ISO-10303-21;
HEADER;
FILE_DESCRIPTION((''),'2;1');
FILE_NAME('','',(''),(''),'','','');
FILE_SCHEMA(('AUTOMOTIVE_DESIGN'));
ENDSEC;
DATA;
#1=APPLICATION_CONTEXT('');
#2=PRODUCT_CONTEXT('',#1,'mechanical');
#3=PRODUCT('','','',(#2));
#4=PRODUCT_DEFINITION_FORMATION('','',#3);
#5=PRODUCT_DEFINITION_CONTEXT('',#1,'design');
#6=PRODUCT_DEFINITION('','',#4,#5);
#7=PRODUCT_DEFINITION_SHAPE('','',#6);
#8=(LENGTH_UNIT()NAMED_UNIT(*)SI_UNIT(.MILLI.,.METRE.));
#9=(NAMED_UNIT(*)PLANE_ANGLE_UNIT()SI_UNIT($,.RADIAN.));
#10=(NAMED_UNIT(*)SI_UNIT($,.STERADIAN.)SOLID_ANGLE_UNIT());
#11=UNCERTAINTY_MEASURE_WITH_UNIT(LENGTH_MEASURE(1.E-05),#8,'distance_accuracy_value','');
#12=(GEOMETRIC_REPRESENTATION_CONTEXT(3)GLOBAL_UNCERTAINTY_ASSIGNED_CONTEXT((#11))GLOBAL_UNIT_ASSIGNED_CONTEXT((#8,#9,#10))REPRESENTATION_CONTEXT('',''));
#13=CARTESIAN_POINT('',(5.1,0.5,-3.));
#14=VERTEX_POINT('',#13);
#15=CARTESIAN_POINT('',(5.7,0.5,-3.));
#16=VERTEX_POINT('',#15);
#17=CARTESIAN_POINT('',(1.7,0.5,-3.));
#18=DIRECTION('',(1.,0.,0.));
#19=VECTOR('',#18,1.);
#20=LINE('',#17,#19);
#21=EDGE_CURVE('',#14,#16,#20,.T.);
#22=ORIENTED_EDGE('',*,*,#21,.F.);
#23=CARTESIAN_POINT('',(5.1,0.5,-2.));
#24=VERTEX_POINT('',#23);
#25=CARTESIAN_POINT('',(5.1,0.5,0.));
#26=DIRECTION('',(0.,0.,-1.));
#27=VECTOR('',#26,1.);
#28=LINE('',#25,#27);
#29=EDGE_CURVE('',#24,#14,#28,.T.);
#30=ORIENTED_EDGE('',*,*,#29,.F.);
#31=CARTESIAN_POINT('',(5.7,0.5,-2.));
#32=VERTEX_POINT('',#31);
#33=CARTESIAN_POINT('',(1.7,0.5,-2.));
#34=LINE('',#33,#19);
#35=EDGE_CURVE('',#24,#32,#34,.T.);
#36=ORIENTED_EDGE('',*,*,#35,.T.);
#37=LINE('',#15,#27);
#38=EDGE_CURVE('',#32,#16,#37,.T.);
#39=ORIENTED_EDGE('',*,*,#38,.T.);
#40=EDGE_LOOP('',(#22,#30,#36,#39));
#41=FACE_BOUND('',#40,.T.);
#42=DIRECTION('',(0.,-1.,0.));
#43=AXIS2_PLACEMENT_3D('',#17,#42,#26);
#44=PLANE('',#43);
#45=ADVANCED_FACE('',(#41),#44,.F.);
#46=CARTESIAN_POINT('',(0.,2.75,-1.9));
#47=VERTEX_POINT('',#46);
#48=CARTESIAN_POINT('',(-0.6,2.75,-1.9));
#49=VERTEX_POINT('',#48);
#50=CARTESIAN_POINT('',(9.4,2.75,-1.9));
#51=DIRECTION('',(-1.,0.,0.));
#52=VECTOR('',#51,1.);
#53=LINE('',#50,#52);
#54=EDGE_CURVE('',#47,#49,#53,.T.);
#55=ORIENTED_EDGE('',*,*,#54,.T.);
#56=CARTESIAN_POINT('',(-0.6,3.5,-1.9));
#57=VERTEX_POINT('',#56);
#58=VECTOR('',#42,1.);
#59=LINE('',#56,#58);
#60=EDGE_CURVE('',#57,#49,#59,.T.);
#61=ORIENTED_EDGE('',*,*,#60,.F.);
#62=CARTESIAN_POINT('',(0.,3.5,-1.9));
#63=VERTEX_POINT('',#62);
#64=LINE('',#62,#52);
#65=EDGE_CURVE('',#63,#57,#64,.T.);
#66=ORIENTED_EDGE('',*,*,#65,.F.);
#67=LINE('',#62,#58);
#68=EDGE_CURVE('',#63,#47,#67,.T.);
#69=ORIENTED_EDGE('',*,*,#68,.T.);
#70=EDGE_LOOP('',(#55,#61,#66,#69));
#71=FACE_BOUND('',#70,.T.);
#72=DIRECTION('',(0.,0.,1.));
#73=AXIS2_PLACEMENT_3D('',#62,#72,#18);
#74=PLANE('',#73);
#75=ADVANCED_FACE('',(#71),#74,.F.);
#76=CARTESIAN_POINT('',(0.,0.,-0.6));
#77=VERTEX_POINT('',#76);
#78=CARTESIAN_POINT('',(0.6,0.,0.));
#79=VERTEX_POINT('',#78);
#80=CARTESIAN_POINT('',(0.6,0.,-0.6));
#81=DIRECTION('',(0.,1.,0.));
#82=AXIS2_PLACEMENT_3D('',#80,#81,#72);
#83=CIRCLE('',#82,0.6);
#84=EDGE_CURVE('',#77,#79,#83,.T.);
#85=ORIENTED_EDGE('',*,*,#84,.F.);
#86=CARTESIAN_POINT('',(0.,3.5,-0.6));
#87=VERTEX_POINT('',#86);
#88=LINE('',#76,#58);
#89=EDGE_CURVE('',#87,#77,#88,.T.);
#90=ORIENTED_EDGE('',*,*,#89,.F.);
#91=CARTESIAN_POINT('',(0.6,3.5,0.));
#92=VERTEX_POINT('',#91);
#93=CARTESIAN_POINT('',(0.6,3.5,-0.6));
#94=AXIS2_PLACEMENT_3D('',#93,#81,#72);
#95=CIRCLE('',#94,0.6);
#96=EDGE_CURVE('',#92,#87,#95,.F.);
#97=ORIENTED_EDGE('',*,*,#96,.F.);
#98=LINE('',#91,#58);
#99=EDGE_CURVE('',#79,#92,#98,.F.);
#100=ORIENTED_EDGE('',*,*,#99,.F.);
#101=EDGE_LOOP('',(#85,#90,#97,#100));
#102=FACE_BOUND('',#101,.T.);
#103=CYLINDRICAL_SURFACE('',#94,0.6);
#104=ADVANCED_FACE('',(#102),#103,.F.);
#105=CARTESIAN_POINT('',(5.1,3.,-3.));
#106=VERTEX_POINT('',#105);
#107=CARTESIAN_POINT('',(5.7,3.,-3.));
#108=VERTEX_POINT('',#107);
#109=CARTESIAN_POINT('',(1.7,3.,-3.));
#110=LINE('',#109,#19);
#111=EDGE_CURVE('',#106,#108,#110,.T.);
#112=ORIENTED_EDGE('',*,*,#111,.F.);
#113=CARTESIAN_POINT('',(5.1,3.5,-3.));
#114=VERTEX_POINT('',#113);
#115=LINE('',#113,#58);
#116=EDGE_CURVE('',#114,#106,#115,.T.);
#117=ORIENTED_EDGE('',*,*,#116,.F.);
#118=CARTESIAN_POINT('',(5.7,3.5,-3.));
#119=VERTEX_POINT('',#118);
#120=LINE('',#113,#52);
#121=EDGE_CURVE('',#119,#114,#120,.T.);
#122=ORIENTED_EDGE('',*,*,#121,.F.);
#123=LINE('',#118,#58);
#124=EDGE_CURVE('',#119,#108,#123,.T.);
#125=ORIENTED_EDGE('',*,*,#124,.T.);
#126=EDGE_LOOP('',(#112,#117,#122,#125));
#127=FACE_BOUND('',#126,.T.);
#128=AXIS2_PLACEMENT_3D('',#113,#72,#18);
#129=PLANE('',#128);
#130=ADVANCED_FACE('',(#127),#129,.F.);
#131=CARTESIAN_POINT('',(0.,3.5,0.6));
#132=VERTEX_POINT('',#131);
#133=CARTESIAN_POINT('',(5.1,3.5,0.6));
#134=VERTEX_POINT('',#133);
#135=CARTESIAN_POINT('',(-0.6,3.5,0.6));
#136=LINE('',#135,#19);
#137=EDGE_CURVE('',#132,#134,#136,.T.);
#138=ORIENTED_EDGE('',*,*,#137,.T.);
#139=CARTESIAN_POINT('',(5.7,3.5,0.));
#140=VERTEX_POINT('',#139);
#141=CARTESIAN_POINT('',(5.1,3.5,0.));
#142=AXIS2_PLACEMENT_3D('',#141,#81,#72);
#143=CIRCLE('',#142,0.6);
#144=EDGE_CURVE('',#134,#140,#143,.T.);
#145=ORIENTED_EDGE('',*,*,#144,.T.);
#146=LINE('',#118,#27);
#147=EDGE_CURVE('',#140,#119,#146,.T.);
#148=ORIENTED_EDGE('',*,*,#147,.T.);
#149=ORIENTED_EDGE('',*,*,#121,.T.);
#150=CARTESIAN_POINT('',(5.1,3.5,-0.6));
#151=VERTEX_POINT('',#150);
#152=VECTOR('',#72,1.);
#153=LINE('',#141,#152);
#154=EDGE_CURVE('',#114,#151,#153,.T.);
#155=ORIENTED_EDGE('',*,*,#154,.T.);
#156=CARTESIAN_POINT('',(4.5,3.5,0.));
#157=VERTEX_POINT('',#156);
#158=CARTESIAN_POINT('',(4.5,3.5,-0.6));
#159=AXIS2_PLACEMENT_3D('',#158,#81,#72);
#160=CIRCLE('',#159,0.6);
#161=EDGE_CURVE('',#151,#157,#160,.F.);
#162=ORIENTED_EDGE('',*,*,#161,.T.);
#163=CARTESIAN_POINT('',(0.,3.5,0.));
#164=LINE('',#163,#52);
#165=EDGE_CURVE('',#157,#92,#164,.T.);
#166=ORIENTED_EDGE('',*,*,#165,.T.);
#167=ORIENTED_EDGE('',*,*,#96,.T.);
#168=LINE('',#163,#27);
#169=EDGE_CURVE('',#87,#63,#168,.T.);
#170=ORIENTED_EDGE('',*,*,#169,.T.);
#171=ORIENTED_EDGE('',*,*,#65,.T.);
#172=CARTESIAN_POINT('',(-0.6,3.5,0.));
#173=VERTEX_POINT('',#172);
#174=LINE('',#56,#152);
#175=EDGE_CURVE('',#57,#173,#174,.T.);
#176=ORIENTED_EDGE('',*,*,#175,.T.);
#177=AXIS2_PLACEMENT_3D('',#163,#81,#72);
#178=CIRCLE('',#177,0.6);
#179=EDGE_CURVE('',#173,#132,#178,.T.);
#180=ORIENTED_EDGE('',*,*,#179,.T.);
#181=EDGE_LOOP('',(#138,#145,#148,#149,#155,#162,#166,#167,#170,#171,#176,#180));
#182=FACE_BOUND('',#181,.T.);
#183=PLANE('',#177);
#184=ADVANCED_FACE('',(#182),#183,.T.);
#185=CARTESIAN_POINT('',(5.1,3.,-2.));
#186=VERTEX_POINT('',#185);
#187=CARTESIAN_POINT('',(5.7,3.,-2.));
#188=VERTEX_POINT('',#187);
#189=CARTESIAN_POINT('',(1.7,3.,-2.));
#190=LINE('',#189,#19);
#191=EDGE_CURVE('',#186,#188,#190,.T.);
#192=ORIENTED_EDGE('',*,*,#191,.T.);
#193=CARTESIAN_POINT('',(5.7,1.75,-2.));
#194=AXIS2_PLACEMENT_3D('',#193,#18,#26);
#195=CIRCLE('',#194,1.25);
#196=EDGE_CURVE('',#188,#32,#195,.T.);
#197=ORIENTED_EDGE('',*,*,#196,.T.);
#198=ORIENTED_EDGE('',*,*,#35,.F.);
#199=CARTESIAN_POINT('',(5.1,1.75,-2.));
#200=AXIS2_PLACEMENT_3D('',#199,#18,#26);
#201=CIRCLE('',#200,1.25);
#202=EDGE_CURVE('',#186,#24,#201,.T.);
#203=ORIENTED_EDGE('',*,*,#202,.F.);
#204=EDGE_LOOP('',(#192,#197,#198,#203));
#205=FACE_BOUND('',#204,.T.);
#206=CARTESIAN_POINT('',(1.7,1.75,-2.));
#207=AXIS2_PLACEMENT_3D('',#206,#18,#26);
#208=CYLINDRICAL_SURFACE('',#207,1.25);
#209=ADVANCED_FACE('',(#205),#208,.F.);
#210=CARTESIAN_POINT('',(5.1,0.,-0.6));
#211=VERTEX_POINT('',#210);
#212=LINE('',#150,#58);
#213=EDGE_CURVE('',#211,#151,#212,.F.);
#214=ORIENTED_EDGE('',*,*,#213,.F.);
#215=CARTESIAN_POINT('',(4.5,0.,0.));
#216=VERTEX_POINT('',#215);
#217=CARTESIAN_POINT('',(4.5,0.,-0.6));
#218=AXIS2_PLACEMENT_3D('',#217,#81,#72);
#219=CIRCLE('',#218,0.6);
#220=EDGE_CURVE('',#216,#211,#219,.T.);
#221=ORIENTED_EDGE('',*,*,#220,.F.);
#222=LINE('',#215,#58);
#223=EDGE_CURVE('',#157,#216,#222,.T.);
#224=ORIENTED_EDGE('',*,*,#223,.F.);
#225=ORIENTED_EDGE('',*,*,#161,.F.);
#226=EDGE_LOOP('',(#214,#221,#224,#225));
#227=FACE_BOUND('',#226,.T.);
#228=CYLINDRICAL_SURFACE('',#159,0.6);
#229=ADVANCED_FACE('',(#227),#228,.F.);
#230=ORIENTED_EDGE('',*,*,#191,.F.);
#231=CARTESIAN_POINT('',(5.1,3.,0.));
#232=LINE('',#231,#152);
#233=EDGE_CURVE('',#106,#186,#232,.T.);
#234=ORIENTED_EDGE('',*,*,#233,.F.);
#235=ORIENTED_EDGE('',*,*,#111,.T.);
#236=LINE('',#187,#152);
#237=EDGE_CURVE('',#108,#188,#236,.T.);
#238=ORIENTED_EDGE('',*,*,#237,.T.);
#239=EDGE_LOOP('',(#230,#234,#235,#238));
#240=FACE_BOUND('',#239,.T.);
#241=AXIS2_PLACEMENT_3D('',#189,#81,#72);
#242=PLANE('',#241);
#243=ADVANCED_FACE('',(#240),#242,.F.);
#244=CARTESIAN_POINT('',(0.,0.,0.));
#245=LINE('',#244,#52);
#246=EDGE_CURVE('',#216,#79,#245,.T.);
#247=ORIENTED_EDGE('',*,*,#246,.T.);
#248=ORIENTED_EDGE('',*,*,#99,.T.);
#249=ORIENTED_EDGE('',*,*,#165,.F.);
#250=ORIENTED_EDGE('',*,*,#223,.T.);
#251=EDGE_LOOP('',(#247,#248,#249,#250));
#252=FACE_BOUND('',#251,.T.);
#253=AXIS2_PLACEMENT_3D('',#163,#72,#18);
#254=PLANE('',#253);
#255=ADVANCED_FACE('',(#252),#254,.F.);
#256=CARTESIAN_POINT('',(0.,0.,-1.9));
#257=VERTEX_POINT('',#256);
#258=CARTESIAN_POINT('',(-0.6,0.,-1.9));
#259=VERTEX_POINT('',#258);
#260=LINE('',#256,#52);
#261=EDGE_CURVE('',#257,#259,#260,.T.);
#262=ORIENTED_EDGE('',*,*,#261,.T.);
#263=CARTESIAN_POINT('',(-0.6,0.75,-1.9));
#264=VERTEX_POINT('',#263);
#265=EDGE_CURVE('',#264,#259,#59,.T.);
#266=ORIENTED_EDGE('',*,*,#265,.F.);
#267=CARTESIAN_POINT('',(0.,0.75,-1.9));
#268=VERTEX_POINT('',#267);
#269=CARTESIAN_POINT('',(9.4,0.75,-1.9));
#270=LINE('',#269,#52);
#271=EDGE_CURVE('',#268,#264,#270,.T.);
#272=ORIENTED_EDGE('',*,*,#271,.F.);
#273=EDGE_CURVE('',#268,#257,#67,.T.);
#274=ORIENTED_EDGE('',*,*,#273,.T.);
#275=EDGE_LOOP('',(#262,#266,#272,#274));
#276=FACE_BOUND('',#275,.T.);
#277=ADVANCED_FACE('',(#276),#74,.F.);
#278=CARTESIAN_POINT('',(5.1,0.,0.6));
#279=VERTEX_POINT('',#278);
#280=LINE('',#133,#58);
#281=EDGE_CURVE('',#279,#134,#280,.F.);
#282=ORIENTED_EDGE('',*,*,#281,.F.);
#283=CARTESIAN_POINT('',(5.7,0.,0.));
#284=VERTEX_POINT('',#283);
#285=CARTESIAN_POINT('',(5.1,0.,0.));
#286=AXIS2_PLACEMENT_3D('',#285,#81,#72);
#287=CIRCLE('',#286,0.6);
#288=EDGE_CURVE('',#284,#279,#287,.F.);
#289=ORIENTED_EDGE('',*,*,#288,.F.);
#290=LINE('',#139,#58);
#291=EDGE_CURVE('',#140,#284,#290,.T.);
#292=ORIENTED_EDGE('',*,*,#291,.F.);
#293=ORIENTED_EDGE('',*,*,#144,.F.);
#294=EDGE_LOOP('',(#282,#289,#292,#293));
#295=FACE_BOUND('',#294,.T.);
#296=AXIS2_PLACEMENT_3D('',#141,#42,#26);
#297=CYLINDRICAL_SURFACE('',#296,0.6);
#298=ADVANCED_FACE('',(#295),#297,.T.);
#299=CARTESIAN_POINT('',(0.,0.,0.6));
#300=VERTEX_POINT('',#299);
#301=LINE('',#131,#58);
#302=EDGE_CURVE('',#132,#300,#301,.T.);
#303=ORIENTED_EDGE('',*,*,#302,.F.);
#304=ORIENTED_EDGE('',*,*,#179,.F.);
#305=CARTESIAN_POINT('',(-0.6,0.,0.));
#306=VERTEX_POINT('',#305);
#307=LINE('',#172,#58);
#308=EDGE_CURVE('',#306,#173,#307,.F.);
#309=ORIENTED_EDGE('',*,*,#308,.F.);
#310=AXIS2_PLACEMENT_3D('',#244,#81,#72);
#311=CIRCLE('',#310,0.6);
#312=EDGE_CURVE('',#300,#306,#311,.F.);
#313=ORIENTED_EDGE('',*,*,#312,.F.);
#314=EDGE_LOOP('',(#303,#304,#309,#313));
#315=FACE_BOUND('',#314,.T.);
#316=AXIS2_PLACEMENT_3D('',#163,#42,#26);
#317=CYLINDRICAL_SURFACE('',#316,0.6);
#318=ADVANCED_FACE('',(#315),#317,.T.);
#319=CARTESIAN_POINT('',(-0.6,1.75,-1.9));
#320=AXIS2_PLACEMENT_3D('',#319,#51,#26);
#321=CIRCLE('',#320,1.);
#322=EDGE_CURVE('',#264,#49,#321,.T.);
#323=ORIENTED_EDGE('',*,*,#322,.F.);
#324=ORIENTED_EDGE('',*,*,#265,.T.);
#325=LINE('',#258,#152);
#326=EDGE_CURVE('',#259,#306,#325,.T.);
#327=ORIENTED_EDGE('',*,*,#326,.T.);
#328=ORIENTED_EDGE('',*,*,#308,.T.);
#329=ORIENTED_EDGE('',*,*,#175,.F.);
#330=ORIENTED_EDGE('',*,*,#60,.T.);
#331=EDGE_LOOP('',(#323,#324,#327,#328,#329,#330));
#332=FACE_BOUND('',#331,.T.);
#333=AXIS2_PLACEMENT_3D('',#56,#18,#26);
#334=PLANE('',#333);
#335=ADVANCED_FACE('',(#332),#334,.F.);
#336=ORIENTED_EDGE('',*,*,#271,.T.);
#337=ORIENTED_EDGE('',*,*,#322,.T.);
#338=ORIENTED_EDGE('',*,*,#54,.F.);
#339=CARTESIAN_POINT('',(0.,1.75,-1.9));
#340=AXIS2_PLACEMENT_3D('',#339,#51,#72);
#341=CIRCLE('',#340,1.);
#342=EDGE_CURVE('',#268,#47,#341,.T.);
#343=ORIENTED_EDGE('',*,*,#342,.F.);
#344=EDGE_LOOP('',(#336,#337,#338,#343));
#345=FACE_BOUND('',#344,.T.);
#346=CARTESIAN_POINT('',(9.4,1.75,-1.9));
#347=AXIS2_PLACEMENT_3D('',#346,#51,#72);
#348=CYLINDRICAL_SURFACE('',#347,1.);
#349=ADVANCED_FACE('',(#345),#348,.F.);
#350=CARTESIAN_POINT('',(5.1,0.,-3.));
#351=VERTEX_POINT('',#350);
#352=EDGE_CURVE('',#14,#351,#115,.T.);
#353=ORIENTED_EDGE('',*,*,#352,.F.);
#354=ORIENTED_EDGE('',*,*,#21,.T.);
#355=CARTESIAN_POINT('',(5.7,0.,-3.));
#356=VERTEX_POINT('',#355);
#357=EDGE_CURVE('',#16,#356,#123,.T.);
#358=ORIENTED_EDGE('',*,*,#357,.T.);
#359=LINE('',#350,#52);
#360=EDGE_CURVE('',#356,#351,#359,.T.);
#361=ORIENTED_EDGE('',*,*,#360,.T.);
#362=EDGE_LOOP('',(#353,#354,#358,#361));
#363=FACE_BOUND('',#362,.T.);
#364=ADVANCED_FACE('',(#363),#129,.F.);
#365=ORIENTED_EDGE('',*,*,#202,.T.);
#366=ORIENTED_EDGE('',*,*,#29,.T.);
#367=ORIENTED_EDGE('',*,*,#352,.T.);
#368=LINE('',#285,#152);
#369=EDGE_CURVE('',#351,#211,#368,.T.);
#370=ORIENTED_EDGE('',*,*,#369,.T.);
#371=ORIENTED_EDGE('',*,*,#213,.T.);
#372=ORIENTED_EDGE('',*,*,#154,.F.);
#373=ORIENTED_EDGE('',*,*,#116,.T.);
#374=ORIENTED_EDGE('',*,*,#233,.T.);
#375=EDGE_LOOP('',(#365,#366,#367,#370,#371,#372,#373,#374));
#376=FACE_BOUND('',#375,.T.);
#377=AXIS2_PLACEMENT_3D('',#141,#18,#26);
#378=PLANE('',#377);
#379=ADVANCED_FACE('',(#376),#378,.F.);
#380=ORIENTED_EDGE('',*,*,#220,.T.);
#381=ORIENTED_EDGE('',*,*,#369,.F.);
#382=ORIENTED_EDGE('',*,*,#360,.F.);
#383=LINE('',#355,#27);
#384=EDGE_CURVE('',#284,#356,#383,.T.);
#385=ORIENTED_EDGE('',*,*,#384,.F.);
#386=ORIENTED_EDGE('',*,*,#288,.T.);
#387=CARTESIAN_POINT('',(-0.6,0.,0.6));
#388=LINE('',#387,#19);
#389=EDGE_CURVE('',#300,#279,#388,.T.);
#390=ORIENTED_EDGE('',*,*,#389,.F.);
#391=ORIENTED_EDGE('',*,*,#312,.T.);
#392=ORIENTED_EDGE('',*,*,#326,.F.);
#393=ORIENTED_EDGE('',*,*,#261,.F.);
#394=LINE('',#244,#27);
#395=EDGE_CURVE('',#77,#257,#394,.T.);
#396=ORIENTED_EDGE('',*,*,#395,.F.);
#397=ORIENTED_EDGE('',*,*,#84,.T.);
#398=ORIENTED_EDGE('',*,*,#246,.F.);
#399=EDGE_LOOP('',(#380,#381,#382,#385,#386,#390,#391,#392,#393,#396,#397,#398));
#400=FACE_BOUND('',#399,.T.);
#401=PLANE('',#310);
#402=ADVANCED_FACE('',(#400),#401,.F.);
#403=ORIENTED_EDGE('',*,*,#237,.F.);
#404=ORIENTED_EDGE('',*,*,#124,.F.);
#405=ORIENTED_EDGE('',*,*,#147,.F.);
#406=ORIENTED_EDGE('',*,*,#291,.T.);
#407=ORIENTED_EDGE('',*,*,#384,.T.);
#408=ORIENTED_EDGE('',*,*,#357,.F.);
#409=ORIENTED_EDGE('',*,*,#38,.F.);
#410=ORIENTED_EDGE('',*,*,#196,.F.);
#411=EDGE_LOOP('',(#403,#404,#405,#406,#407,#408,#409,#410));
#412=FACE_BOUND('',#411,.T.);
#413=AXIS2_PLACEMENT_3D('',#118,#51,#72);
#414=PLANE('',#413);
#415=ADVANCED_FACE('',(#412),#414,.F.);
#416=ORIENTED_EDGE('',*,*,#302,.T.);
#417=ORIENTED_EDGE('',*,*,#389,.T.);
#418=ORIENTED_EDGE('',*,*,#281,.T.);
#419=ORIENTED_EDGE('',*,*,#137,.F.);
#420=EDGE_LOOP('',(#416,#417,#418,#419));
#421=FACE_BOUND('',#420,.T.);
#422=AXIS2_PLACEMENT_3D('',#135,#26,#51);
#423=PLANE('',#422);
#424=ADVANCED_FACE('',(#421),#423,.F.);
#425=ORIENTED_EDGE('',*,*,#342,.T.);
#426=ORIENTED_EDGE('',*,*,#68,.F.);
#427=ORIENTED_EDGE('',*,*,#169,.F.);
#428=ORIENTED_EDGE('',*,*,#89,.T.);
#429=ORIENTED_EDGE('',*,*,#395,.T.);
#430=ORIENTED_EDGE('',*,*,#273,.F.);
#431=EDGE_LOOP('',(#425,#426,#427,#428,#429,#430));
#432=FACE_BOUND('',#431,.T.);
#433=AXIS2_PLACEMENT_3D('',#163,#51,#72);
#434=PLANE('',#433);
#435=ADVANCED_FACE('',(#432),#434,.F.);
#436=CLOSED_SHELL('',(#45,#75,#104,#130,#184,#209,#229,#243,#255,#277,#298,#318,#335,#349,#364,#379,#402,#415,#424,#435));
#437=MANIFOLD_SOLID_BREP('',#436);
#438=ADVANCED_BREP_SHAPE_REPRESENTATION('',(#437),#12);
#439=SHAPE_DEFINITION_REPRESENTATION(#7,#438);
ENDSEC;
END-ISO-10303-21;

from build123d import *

# Parameters (mm, degrees)
BOSS_EXTRUDE1_DEPTH = 3.5
FILLET1_R           = 0.6
CUT_EXTRUDE1_DEPTH  = 4
CUT_EXTRUDE2_DEPTH  = 10


with BuildPart() as part:
    # Sketch1 → Boss-Extrude1 (new body)
    with BuildSketch(Plane(origin=(0, 0, 0), x_dir=(1, 0, 0), z_dir=(0, 1, 0))):
        Polygon((0, 0), (0, 1.9), (-0.6, 1.9), (-0.6, -0.6), (5.7, -0.6), (5.7, 3), (5.1, 3), (5.1, 0), align=None)
    extrude(amount=BOSS_EXTRUDE1_DEPTH)

    # Fillet1
    fillet1_edges = [part.edges().sort_by_distance(p)[0] for p in [
        (5.1, 1.75, 0),
        (5.7, 1.75, 0.6),
        (-0.6, 1.75, 0.6),
        (0, 1.75, 0),
    ]]
    fillet(fillet1_edges, radius=FILLET1_R)

    # Sketch2 → Cut-Extrude1 (cut)
    with BuildSketch(Plane(origin=(5.7, 0, 0), x_dir=(0, 0, -1), z_dir=(1, 0, 0))):
        with BuildLine():
            Line((2, 3), (3, 3))
            Line((3, 3), (3, 0.5))
            Line((3, 0.5), (2, 0.5))
            ThreePointArc((2, 0.5), (0.75, 1.75), (2, 3))
        make_face()
    extrude(amount=-CUT_EXTRUDE1_DEPTH, mode=Mode.SUBTRACT)

    # Sketch3 → Cut-Extrude2 (cut)
    with BuildSketch(Plane.ZY.offset(0.6)):
        with BuildLine():
            Line((-1.9, 0.75), (-1.9, 2.75))
            ThreePointArc((-1.9, 2.75), (-0.9, 1.75), (-1.9, 0.75))
        make_face()
    extrude(amount=-CUT_EXTRUDE2_DEPTH, mode=Mode.SUBTRACT)


solid = part.part
